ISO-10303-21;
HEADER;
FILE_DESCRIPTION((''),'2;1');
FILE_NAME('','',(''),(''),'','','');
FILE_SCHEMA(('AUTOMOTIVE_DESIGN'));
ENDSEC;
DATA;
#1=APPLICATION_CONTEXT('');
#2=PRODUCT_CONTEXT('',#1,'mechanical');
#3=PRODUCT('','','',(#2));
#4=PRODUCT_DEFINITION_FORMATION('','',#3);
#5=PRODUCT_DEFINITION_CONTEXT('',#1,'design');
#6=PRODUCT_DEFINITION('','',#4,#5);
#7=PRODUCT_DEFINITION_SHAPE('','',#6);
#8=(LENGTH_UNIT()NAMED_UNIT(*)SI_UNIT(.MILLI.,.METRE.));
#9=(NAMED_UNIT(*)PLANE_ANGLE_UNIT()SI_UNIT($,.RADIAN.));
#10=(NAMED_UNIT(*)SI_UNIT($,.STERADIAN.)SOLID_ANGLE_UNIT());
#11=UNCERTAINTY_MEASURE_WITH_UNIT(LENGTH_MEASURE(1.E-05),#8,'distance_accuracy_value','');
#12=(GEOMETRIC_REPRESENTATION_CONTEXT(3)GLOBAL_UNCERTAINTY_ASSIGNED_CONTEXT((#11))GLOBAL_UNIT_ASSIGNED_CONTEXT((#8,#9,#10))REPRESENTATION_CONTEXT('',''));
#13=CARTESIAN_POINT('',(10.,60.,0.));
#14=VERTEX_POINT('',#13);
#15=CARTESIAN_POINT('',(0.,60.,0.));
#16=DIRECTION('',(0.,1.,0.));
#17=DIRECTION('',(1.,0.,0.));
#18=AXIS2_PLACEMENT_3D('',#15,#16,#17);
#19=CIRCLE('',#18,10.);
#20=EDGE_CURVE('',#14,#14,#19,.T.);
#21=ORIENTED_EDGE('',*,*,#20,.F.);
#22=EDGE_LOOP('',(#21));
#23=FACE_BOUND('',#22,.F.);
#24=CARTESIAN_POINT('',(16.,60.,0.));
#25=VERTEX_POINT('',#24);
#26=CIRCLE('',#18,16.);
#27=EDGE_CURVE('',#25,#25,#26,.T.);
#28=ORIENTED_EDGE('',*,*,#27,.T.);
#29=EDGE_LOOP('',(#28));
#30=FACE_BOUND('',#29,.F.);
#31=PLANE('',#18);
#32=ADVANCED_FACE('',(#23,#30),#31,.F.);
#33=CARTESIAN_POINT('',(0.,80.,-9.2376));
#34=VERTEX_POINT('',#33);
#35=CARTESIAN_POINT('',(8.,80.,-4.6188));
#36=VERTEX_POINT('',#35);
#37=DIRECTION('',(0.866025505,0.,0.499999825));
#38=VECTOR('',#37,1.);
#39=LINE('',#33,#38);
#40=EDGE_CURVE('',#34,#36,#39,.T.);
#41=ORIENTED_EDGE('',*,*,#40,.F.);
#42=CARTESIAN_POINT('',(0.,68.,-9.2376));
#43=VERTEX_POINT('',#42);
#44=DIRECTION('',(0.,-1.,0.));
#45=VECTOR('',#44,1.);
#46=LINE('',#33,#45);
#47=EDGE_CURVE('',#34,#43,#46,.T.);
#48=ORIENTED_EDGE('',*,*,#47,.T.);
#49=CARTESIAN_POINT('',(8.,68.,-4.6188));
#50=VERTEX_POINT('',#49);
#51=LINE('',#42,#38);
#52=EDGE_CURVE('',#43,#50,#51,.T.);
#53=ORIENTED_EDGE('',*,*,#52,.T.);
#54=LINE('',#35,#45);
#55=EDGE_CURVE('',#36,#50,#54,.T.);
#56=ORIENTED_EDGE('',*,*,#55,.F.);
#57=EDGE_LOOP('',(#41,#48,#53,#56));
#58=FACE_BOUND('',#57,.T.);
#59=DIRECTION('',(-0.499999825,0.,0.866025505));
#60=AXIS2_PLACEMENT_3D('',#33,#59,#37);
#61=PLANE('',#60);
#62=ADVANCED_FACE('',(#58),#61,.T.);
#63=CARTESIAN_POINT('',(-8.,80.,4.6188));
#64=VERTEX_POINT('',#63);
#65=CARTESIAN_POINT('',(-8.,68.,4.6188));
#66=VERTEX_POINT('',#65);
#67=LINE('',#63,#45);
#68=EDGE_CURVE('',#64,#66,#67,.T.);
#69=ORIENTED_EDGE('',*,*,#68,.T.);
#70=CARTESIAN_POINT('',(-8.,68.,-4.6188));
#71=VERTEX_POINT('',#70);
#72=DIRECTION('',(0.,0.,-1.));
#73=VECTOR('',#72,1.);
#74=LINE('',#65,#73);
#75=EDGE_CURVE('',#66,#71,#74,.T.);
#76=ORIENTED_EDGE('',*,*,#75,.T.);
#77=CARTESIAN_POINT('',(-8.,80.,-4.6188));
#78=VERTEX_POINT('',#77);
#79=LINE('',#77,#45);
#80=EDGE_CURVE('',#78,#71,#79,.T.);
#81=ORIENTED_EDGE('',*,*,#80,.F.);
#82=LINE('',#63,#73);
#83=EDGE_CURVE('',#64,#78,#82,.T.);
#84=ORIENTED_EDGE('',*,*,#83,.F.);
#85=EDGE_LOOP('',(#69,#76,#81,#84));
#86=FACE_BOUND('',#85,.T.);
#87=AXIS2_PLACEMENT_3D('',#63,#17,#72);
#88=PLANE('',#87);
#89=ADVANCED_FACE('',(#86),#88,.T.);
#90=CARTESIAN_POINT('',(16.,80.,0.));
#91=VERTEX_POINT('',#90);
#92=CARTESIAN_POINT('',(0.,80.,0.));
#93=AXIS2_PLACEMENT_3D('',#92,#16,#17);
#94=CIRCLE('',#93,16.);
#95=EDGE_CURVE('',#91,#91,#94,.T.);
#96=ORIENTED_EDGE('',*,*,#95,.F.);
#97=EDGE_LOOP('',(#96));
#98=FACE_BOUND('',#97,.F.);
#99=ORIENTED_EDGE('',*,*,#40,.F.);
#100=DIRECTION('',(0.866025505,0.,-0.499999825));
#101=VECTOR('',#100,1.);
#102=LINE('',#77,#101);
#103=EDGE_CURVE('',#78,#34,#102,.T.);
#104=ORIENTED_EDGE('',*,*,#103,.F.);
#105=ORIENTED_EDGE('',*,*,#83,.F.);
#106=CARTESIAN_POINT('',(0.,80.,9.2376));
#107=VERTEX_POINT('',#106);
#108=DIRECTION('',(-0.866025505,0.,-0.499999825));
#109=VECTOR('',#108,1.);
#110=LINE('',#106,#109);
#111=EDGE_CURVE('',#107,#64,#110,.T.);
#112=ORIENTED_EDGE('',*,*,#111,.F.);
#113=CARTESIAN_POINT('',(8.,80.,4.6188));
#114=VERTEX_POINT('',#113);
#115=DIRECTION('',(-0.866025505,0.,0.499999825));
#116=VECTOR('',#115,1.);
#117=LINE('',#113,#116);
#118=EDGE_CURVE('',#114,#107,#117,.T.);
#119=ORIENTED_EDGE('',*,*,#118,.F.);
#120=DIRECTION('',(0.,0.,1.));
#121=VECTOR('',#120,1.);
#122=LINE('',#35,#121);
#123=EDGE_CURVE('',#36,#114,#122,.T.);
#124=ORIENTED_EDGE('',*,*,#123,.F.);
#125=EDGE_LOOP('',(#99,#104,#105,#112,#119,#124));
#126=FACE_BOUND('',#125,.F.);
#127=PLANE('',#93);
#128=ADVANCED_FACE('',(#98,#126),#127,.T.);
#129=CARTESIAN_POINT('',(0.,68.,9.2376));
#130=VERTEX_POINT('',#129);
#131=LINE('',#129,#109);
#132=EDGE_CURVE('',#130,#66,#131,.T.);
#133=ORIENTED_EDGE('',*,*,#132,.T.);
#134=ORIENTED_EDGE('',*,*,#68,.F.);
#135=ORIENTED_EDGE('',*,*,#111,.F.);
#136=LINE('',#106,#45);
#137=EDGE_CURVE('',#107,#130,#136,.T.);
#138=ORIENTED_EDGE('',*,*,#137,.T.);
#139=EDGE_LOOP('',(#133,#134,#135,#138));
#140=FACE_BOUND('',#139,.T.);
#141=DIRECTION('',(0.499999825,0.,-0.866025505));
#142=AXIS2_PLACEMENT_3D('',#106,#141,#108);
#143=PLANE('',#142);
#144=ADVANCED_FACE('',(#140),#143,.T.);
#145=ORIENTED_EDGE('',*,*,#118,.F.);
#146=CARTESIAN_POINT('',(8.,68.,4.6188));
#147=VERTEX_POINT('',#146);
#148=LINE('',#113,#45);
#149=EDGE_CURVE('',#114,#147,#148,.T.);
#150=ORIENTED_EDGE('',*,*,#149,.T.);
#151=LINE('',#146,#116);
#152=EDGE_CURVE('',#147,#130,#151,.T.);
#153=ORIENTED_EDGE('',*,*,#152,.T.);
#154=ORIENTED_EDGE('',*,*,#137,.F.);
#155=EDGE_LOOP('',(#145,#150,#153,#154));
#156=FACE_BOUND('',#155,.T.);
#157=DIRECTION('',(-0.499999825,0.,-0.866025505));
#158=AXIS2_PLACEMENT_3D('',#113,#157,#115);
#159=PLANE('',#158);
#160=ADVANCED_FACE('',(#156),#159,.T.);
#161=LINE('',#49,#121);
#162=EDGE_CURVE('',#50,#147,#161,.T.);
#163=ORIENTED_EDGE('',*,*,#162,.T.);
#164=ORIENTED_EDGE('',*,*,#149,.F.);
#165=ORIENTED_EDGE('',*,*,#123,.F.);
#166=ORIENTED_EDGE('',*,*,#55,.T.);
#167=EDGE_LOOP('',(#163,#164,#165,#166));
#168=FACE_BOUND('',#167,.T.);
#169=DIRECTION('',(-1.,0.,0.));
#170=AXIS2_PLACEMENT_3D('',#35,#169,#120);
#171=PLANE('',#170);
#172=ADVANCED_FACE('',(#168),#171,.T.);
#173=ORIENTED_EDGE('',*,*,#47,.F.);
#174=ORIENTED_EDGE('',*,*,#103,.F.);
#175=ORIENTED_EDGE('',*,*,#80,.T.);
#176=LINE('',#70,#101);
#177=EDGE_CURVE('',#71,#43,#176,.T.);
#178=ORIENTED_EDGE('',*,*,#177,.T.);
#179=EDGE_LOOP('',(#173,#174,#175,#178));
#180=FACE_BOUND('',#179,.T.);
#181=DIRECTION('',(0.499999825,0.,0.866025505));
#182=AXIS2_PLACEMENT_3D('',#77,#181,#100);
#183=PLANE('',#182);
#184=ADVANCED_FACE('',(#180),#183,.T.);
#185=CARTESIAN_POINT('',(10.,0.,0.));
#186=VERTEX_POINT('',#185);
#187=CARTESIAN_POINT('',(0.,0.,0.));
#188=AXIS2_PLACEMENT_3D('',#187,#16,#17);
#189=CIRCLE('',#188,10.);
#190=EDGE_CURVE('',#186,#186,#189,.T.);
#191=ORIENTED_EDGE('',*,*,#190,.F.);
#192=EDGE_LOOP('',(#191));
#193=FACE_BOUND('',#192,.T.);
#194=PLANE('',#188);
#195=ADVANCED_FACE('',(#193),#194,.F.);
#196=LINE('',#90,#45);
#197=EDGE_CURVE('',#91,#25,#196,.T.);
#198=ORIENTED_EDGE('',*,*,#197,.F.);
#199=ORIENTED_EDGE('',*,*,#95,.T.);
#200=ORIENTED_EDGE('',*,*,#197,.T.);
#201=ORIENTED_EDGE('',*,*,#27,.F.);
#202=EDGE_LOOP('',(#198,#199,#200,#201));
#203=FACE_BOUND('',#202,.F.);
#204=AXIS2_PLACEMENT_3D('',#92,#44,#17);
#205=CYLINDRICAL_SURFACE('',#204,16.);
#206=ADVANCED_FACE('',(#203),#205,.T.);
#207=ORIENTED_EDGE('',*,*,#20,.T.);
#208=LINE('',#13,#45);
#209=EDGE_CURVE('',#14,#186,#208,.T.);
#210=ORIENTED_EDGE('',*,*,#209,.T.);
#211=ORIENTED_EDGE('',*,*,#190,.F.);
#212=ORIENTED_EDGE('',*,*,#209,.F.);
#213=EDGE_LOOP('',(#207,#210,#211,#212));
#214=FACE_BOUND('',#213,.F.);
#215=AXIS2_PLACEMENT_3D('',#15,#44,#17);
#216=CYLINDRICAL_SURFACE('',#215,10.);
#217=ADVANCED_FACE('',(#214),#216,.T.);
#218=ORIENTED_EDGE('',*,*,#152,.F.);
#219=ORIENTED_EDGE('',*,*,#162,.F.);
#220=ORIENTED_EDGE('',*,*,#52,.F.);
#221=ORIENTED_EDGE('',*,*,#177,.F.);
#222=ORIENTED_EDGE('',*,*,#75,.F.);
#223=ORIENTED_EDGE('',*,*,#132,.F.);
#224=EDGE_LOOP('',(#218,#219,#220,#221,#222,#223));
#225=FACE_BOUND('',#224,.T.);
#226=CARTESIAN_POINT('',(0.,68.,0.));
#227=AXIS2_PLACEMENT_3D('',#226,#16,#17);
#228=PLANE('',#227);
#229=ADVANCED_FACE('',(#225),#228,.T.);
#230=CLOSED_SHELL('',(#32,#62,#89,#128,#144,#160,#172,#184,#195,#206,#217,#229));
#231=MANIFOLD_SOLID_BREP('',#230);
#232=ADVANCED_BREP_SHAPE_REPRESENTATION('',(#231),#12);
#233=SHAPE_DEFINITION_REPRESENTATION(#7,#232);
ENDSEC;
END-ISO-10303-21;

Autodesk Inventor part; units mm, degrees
ref_plane "YZ Plane" through (0, 0, 0) normal (1, 0, 0) x (0, 1, 0)
ref_plane "XZ Plane" through (0, 0, 0) normal (0, 1, 0) x (-1, 0, 0)
ref_plane "XY Plane" through (0, 0, 0) normal (0, 0, 1) x (1, 0, 0)
sketch "Sketch1" plane through (0, 0, 0) normal (0, 0, 1) x (1, 0, 0)
  line L0 (0, 0) -> (0, 80)
  line L1 (0, 80) -> (16, 80)
  line L2 (16, 80) -> (16, 60)
  line L3 (16, 60) -> (10, 60)
  line L4 (10, 60) -> (10, 0)
  line L5 (0, 0) -> (10, 0)
  dimension "d" = 20
  dimension "HT" = 20
  dimension "Height" = 60
  dimension "HD" = 32
revolve "Revolution1" add sketch "Sketch1" angle 360 about axis through (0, 0, 0) along (0, 1, 0)
sketch "Sketch2" plane through (0, 80, 0) normal (0, 1, 0) x (1, 0, 0)
  line L0 (0, 9.2376) -> (8, 4.6188)
  line L1 (8, 4.6188) -> (8, -4.6188)
  line L2 (8, -4.6188) -> (0, -9.2376)
  line L3 (0, -9.2376) -> (-8, -4.6188)
  line L4 (-8, -4.6188) -> (-8, 4.6188)
  line L5 (-8, 4.6188) -> (0, 9.2376)
  point P0 (0, 0)
  point P1 (0, 0)
  dimension "HL" = 16
extrude "Extrusion1" cut sketch "Sketch2" against normal blind 12
equation "\"HT\" = d"
equation "\"Height\" = 3 * d"
equation "\"HD\" = 1.6 * d"
equation "\"HL\" = 0.8 * d"
equation "\"HH\" = 0.6 * d"
properties part number "CE-2.1.5-01"
